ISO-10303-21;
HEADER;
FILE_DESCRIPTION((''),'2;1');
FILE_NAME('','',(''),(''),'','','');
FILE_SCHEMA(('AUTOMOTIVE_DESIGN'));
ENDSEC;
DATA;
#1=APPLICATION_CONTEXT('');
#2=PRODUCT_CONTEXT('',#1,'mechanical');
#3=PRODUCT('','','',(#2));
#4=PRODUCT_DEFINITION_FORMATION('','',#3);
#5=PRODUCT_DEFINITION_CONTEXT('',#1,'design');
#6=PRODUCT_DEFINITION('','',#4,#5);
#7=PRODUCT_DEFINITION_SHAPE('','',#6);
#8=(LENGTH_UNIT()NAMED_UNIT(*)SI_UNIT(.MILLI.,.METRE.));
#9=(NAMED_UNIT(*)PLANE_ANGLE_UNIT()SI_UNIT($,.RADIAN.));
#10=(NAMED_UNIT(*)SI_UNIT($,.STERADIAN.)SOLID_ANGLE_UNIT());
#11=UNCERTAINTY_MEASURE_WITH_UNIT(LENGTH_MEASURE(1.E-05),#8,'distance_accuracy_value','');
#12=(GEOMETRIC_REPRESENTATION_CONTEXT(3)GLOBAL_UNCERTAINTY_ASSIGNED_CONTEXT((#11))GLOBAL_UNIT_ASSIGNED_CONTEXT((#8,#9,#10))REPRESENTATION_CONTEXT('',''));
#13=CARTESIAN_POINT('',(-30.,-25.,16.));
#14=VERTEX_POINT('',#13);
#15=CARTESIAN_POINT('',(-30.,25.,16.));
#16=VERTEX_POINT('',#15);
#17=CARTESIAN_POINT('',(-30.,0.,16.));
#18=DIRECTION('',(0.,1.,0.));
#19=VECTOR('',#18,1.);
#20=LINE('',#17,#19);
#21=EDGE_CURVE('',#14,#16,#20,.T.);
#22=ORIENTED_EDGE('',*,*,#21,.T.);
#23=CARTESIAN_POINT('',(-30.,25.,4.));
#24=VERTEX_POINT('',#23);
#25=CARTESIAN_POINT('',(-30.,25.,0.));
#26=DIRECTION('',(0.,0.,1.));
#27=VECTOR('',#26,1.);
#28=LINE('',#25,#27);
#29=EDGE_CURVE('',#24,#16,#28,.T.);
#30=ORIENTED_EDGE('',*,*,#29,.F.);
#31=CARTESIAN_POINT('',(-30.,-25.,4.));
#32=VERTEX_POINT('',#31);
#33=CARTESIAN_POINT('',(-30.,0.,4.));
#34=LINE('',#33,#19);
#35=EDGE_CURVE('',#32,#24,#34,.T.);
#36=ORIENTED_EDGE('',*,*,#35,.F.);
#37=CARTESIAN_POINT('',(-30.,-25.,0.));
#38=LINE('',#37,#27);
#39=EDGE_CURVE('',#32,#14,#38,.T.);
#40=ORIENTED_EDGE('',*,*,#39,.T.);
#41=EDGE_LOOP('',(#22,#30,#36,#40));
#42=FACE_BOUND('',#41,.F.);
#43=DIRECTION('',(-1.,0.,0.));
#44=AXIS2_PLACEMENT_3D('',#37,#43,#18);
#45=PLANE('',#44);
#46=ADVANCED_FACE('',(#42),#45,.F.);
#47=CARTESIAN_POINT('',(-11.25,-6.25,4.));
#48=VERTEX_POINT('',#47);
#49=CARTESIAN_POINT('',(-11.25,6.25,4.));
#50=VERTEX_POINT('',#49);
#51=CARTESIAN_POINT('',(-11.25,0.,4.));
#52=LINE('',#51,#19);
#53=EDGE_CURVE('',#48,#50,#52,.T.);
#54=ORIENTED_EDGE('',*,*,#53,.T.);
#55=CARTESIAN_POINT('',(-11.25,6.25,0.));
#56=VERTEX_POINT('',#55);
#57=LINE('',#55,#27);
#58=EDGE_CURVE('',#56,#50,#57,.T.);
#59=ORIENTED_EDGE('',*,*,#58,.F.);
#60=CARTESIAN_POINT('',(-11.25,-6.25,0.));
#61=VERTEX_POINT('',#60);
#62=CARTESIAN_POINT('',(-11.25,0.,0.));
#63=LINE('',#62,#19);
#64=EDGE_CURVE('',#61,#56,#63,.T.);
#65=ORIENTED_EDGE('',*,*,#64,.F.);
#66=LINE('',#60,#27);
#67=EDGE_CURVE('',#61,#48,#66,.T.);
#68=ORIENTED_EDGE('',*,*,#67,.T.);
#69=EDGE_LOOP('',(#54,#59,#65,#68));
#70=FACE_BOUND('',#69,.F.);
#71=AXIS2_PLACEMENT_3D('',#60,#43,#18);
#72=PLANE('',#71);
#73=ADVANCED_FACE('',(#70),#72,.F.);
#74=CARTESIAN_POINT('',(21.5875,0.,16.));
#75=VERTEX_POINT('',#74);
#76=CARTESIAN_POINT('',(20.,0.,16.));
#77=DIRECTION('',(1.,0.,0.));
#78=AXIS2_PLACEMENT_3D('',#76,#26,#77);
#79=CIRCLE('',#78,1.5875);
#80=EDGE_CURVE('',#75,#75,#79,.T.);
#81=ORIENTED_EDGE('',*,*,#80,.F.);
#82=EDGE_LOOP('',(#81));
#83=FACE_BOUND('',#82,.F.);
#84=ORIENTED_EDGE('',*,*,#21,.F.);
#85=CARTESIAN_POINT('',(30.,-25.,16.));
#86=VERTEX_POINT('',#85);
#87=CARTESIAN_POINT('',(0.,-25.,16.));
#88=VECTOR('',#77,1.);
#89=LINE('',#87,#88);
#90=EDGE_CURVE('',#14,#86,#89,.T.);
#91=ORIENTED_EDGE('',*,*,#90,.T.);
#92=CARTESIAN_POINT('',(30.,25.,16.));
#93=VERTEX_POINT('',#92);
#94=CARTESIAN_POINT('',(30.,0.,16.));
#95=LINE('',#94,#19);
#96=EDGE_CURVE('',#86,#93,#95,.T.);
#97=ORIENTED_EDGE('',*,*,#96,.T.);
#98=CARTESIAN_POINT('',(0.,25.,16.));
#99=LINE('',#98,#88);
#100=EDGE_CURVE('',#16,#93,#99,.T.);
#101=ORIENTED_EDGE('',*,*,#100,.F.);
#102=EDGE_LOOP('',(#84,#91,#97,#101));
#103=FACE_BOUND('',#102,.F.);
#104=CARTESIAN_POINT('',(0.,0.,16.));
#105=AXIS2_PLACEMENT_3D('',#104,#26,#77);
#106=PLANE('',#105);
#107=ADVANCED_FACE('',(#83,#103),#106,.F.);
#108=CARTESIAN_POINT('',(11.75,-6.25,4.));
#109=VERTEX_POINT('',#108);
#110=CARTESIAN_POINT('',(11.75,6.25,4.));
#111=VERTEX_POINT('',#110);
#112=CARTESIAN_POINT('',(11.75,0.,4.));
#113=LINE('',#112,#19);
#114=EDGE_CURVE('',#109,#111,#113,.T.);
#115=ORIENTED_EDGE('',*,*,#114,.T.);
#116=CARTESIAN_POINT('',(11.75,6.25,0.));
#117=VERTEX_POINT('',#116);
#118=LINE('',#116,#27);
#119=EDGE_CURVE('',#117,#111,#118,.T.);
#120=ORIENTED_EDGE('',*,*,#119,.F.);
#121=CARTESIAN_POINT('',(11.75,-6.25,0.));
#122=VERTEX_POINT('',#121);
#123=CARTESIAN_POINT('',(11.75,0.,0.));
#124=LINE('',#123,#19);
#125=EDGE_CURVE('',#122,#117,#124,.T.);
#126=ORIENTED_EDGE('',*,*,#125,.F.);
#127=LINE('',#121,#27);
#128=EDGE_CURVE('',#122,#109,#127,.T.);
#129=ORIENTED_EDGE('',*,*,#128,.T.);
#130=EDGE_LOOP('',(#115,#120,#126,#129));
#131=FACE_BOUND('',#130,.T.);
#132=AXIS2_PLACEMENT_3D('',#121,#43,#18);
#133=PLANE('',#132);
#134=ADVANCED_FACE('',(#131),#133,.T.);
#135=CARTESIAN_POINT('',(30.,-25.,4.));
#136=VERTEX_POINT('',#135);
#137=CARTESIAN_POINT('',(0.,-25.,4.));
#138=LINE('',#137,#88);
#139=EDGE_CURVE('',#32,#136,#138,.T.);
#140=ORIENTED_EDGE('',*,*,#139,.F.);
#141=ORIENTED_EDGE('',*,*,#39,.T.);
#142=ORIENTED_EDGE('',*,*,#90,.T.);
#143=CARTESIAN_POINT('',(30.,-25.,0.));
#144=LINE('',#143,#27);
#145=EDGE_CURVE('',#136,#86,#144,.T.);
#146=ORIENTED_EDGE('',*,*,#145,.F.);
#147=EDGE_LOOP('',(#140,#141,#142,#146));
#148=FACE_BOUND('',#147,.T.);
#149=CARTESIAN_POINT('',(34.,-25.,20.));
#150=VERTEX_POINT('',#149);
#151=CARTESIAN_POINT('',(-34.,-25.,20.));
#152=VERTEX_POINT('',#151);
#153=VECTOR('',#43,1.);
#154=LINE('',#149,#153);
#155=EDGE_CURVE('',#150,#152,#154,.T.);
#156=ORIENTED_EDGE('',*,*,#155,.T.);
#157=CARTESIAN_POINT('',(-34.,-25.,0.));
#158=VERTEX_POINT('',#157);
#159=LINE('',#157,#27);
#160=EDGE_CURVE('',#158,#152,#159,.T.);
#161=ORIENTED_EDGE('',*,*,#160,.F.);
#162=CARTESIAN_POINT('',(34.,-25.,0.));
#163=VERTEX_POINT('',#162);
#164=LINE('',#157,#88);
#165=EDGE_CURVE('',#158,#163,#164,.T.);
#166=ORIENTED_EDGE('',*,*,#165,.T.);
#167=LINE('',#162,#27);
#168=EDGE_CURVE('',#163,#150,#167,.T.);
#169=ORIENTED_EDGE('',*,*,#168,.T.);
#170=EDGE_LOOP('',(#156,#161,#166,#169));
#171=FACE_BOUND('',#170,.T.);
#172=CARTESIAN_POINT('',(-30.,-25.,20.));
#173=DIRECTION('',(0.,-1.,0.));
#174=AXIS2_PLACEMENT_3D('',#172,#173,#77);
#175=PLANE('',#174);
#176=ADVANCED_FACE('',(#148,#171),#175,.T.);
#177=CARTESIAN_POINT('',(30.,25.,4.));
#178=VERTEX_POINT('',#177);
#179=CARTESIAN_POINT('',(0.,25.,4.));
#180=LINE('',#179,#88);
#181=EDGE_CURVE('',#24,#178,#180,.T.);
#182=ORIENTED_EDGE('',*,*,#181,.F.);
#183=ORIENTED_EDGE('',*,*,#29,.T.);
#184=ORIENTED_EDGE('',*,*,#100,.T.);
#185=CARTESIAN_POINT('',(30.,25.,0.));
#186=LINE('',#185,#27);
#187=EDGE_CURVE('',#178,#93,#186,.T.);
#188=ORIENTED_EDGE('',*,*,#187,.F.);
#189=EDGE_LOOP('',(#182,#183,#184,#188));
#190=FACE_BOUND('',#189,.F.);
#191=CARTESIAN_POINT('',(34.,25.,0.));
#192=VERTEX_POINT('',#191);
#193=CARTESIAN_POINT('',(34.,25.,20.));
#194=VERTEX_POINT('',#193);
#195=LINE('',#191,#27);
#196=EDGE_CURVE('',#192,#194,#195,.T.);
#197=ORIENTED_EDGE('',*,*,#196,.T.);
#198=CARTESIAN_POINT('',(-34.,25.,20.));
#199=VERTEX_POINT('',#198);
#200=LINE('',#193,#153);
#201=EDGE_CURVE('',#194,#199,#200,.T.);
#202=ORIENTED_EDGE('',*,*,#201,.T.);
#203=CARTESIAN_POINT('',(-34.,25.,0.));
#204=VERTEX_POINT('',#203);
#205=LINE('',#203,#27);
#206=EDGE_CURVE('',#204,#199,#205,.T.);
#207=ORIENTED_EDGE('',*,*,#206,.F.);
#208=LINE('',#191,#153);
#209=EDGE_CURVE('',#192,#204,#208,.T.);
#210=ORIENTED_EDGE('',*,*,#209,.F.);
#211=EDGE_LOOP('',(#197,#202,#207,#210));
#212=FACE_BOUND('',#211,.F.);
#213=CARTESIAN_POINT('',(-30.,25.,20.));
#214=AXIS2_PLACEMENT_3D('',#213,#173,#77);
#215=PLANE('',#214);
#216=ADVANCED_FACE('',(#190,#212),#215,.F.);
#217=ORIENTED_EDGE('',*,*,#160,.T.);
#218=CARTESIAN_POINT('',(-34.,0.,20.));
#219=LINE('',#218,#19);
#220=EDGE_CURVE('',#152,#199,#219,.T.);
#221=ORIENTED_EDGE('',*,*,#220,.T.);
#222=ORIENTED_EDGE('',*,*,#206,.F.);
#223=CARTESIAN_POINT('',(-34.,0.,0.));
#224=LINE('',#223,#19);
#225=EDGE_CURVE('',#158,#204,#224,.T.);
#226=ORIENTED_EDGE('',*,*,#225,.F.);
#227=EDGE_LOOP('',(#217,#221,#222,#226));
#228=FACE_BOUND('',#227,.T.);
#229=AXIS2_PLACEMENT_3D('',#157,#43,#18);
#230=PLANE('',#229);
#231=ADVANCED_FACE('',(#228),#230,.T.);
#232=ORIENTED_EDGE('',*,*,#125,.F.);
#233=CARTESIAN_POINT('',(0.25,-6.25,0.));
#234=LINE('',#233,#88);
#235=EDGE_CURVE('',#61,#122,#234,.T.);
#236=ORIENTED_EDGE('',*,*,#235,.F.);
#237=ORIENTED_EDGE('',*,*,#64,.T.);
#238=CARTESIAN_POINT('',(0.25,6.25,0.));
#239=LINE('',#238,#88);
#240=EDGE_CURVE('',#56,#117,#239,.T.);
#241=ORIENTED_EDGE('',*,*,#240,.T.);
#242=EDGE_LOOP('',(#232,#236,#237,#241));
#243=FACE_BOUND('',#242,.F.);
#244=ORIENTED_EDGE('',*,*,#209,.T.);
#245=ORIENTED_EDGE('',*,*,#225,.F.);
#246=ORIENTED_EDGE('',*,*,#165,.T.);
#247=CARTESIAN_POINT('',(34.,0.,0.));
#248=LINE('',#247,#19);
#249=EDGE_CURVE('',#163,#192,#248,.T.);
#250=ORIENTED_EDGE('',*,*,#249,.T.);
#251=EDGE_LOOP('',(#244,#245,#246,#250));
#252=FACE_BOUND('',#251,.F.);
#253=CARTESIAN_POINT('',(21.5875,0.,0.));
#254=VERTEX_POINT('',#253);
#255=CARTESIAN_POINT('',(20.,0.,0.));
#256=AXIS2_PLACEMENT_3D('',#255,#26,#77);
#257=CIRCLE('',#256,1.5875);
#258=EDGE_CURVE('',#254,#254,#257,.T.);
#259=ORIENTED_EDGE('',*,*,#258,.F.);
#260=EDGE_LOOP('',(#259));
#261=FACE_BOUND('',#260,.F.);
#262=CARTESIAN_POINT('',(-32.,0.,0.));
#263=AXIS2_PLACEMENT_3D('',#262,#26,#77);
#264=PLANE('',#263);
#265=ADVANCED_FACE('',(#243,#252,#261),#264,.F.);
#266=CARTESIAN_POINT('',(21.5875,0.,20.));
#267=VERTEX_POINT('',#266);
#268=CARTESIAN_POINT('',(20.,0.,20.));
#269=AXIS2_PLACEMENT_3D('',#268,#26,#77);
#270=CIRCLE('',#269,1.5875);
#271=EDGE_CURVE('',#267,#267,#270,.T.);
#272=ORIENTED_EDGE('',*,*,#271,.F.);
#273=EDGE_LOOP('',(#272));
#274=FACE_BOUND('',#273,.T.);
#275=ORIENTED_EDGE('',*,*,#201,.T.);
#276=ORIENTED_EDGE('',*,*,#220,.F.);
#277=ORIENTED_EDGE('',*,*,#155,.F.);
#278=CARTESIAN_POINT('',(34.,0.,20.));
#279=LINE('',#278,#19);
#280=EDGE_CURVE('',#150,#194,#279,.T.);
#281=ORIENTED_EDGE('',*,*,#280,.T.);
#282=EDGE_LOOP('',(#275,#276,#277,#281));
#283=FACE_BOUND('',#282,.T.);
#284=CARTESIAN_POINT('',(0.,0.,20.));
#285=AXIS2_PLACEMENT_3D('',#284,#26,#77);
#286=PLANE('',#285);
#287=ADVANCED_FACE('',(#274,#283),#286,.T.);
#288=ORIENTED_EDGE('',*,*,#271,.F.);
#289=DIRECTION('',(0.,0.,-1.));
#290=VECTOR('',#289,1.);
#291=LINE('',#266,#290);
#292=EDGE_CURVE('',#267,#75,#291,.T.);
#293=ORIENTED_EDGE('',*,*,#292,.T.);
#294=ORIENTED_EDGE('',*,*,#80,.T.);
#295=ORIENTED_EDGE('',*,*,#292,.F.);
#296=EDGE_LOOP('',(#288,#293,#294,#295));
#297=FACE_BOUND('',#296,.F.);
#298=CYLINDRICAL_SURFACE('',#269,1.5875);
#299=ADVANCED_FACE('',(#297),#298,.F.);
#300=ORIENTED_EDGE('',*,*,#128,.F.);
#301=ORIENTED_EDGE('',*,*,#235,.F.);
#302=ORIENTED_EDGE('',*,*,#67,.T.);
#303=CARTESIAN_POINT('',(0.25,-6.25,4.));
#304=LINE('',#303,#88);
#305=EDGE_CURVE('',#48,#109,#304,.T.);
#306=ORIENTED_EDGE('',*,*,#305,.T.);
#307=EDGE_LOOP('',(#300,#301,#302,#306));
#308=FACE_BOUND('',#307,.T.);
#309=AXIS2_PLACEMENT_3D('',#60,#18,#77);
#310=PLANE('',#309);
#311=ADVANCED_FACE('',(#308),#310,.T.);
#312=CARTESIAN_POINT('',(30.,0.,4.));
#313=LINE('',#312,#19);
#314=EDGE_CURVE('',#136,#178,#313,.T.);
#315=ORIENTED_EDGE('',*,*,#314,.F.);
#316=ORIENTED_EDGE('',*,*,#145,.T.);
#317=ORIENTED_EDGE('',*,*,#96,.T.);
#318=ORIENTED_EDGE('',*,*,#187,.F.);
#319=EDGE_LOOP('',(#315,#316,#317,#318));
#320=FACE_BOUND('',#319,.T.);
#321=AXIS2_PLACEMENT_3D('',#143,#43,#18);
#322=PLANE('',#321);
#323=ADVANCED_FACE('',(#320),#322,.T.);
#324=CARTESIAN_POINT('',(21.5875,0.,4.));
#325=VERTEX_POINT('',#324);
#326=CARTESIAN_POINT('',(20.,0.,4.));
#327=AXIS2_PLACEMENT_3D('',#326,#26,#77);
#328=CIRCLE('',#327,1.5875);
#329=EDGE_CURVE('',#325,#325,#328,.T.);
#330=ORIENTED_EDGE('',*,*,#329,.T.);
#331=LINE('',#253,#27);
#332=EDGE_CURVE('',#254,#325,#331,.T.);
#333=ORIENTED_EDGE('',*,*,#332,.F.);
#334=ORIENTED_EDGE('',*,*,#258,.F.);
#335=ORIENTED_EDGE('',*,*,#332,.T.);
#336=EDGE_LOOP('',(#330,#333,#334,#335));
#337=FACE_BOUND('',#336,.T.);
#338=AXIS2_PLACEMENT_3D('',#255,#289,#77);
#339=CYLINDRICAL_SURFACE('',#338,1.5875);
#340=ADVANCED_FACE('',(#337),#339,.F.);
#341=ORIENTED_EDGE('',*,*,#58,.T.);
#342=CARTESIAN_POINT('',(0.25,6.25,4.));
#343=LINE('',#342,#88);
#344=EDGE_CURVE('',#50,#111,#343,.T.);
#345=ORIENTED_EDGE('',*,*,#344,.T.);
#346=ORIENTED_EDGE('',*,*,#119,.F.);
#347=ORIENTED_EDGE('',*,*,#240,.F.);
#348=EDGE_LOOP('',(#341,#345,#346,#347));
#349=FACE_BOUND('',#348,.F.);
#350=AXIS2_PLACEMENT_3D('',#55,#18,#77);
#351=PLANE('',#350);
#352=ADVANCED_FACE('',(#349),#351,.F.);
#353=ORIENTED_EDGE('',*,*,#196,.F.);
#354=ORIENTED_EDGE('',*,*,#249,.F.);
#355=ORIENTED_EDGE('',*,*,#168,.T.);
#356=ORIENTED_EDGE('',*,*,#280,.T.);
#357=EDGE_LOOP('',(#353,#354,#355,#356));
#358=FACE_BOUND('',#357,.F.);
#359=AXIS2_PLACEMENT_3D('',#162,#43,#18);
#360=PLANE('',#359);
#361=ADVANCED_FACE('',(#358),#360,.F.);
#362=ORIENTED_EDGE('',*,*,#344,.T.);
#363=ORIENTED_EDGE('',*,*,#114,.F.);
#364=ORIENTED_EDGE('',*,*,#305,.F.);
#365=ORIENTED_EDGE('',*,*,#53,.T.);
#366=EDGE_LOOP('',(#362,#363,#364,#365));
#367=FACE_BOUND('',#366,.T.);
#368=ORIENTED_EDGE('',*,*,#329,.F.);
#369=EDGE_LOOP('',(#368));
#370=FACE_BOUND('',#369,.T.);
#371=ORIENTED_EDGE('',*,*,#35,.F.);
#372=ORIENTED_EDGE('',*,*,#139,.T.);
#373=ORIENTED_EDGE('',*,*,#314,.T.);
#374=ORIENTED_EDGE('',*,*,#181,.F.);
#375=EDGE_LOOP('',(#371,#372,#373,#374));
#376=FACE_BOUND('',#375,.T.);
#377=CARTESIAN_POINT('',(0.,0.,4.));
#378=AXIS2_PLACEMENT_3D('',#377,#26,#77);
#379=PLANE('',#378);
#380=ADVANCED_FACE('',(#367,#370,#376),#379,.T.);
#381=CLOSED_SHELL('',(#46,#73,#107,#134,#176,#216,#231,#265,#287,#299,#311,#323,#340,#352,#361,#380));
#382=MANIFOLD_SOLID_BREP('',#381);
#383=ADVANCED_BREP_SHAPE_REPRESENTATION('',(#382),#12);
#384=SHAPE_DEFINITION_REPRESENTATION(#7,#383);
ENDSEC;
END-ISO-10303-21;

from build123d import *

# Parameters (mm, degrees)
F0_W     = 60
F0_H     = 50
F0_W_2   = 23
F0_H_2   = 12.5
F0_R     = 1.5875
F1_DEPTH = 4
F0_W_3   = 4
F2_DEPTH = 20
F4_W     = 60
F4_H     = 50
F4_R     = 1.5875
F5_DEPTH = 4


with BuildPart() as f1:
    # F0 (on Top) → F1 (new body)
    with BuildSketch(Plane.XY):
        Rectangle(F0_W, F0_H)
        with Locations((0.25, 0)):
            Rectangle(F0_W_2, F0_H_2, mode=Mode.SUBTRACT)
        with Locations((20, 0)):
            Circle(F0_R, mode=Mode.SUBTRACT)
    extrude(amount=F1_DEPTH)

    # F0 (on Top) → F2 (join)
    with BuildSketch(Plane.XY):
        with Locations((-32, 0)):
            Rectangle(F0_W_3, F0_H)
        with Locations((32, 0)):
            Rectangle(F0_W_3, F0_H)
    extrude(amount=F2_DEPTH)

    # F4 (on offset) → F5 (join)
    with BuildSketch(Plane.XY.offset(20)):
        Rectangle(F4_W, F4_H)
        with Locations((20, 0)):
            Circle(F4_R, mode=Mode.SUBTRACT)
    extrude(amount=-F5_DEPTH)


solid = f1.part
